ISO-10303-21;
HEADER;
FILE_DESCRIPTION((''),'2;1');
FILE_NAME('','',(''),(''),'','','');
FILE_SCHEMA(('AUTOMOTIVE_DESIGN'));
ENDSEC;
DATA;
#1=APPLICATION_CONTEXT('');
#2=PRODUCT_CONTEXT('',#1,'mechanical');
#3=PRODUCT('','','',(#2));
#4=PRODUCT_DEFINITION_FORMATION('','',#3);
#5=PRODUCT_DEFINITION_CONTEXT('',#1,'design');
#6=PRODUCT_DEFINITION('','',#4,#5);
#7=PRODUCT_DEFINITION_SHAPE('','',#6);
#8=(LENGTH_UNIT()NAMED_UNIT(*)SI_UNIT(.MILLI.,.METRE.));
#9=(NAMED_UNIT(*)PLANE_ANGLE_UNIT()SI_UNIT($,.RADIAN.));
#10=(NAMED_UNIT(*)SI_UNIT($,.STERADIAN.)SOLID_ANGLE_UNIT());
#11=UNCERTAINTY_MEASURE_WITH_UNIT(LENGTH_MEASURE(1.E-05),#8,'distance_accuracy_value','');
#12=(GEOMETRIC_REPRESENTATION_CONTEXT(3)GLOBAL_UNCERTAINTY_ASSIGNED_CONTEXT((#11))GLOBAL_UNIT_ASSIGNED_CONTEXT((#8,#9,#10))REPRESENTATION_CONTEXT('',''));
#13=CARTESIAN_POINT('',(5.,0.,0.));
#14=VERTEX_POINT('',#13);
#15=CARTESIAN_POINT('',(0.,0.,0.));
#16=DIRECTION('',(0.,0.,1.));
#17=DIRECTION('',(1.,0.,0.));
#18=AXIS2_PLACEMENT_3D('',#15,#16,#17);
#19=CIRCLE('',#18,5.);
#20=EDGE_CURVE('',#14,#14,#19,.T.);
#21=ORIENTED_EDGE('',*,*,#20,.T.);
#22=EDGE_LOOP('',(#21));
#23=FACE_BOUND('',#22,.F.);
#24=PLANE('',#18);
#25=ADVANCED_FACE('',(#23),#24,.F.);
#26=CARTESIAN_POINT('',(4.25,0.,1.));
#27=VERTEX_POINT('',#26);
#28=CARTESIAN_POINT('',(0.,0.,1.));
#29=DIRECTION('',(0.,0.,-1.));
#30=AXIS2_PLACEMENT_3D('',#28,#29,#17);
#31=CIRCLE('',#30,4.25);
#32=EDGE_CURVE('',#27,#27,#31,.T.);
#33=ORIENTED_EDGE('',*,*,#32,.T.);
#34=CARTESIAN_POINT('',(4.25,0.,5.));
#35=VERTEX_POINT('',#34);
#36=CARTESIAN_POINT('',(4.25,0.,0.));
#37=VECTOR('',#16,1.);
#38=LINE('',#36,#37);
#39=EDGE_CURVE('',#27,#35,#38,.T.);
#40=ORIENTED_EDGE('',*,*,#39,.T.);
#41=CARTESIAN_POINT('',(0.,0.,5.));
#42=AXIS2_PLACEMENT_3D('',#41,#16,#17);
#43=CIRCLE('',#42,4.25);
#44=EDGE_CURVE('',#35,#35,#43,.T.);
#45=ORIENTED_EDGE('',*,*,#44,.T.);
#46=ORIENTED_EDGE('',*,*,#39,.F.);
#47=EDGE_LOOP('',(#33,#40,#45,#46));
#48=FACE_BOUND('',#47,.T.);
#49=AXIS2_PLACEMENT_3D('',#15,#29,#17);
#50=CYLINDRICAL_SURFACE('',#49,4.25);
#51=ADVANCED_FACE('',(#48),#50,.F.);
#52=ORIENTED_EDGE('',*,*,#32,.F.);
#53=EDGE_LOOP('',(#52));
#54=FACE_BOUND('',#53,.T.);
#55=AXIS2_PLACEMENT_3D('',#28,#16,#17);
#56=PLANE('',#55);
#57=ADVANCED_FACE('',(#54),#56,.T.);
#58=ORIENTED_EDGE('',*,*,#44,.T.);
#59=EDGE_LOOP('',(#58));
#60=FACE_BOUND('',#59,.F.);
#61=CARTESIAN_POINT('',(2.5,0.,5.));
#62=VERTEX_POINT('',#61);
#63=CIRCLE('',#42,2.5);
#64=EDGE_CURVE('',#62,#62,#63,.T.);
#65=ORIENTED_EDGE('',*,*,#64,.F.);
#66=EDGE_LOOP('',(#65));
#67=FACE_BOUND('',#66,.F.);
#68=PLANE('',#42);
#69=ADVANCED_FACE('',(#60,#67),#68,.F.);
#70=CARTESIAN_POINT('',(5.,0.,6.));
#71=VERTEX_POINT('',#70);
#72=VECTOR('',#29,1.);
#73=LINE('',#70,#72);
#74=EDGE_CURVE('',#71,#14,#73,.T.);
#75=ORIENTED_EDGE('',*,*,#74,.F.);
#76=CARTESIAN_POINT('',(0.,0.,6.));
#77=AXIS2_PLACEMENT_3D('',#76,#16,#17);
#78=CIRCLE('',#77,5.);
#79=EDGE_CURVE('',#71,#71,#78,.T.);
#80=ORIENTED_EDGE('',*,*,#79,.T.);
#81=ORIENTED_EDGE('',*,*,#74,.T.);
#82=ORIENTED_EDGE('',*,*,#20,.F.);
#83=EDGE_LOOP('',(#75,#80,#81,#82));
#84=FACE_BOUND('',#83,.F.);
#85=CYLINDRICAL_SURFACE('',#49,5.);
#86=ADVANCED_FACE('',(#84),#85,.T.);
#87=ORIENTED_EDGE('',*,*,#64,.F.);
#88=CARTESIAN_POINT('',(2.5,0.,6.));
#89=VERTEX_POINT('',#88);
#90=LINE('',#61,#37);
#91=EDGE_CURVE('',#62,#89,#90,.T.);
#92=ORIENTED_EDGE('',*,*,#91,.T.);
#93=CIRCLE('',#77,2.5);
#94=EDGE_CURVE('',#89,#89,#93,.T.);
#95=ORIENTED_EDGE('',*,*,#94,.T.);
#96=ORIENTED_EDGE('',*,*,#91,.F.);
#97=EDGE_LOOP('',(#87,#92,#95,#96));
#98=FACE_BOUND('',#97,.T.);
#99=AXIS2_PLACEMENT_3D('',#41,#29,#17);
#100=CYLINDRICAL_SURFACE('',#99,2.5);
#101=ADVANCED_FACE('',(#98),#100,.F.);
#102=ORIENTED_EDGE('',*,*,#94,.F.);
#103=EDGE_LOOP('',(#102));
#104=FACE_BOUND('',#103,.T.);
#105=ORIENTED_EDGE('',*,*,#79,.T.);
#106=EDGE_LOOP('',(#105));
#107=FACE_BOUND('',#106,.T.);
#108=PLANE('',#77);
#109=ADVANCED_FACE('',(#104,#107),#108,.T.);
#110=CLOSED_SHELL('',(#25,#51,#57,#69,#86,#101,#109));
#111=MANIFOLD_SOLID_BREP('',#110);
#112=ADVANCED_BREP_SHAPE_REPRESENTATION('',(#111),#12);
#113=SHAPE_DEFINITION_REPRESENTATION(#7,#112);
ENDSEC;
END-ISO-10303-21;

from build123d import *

# Parameters (mm, degrees)
F0_R     = 5
F0_R_2   = 4.25
F0_R_3   = 2.5
F1_DEPTH = 1
F2_DEPTH = 6
F3_START = 5
F3_DEPTH = 1


with BuildPart() as f1:
    # F0 (on Top) → F1 (new body)
    with BuildSketch(Plane.XY):
        Circle(F0_R)
        Circle(F0_R_2, mode=Mode.SUBTRACT)
        Circle(F0_R_2)
        Circle(F0_R_3, mode=Mode.SUBTRACT)
        Circle(F0_R_3)
    extrude(amount=F1_DEPTH)

    # F0 (on Top) → F2 (join)
    with BuildSketch(Plane.XY):
        Circle(F0_R)
        Circle(F0_R_2, mode=Mode.SUBTRACT)
    extrude(amount=F2_DEPTH)

    # F0 (on Top) → F3 (join)
    with BuildSketch(Plane.XY.offset(F3_START)):
        Circle(F0_R_2)
        Circle(F0_R_3, mode=Mode.SUBTRACT)
    extrude(amount=F3_DEPTH)


solid = f1.part
